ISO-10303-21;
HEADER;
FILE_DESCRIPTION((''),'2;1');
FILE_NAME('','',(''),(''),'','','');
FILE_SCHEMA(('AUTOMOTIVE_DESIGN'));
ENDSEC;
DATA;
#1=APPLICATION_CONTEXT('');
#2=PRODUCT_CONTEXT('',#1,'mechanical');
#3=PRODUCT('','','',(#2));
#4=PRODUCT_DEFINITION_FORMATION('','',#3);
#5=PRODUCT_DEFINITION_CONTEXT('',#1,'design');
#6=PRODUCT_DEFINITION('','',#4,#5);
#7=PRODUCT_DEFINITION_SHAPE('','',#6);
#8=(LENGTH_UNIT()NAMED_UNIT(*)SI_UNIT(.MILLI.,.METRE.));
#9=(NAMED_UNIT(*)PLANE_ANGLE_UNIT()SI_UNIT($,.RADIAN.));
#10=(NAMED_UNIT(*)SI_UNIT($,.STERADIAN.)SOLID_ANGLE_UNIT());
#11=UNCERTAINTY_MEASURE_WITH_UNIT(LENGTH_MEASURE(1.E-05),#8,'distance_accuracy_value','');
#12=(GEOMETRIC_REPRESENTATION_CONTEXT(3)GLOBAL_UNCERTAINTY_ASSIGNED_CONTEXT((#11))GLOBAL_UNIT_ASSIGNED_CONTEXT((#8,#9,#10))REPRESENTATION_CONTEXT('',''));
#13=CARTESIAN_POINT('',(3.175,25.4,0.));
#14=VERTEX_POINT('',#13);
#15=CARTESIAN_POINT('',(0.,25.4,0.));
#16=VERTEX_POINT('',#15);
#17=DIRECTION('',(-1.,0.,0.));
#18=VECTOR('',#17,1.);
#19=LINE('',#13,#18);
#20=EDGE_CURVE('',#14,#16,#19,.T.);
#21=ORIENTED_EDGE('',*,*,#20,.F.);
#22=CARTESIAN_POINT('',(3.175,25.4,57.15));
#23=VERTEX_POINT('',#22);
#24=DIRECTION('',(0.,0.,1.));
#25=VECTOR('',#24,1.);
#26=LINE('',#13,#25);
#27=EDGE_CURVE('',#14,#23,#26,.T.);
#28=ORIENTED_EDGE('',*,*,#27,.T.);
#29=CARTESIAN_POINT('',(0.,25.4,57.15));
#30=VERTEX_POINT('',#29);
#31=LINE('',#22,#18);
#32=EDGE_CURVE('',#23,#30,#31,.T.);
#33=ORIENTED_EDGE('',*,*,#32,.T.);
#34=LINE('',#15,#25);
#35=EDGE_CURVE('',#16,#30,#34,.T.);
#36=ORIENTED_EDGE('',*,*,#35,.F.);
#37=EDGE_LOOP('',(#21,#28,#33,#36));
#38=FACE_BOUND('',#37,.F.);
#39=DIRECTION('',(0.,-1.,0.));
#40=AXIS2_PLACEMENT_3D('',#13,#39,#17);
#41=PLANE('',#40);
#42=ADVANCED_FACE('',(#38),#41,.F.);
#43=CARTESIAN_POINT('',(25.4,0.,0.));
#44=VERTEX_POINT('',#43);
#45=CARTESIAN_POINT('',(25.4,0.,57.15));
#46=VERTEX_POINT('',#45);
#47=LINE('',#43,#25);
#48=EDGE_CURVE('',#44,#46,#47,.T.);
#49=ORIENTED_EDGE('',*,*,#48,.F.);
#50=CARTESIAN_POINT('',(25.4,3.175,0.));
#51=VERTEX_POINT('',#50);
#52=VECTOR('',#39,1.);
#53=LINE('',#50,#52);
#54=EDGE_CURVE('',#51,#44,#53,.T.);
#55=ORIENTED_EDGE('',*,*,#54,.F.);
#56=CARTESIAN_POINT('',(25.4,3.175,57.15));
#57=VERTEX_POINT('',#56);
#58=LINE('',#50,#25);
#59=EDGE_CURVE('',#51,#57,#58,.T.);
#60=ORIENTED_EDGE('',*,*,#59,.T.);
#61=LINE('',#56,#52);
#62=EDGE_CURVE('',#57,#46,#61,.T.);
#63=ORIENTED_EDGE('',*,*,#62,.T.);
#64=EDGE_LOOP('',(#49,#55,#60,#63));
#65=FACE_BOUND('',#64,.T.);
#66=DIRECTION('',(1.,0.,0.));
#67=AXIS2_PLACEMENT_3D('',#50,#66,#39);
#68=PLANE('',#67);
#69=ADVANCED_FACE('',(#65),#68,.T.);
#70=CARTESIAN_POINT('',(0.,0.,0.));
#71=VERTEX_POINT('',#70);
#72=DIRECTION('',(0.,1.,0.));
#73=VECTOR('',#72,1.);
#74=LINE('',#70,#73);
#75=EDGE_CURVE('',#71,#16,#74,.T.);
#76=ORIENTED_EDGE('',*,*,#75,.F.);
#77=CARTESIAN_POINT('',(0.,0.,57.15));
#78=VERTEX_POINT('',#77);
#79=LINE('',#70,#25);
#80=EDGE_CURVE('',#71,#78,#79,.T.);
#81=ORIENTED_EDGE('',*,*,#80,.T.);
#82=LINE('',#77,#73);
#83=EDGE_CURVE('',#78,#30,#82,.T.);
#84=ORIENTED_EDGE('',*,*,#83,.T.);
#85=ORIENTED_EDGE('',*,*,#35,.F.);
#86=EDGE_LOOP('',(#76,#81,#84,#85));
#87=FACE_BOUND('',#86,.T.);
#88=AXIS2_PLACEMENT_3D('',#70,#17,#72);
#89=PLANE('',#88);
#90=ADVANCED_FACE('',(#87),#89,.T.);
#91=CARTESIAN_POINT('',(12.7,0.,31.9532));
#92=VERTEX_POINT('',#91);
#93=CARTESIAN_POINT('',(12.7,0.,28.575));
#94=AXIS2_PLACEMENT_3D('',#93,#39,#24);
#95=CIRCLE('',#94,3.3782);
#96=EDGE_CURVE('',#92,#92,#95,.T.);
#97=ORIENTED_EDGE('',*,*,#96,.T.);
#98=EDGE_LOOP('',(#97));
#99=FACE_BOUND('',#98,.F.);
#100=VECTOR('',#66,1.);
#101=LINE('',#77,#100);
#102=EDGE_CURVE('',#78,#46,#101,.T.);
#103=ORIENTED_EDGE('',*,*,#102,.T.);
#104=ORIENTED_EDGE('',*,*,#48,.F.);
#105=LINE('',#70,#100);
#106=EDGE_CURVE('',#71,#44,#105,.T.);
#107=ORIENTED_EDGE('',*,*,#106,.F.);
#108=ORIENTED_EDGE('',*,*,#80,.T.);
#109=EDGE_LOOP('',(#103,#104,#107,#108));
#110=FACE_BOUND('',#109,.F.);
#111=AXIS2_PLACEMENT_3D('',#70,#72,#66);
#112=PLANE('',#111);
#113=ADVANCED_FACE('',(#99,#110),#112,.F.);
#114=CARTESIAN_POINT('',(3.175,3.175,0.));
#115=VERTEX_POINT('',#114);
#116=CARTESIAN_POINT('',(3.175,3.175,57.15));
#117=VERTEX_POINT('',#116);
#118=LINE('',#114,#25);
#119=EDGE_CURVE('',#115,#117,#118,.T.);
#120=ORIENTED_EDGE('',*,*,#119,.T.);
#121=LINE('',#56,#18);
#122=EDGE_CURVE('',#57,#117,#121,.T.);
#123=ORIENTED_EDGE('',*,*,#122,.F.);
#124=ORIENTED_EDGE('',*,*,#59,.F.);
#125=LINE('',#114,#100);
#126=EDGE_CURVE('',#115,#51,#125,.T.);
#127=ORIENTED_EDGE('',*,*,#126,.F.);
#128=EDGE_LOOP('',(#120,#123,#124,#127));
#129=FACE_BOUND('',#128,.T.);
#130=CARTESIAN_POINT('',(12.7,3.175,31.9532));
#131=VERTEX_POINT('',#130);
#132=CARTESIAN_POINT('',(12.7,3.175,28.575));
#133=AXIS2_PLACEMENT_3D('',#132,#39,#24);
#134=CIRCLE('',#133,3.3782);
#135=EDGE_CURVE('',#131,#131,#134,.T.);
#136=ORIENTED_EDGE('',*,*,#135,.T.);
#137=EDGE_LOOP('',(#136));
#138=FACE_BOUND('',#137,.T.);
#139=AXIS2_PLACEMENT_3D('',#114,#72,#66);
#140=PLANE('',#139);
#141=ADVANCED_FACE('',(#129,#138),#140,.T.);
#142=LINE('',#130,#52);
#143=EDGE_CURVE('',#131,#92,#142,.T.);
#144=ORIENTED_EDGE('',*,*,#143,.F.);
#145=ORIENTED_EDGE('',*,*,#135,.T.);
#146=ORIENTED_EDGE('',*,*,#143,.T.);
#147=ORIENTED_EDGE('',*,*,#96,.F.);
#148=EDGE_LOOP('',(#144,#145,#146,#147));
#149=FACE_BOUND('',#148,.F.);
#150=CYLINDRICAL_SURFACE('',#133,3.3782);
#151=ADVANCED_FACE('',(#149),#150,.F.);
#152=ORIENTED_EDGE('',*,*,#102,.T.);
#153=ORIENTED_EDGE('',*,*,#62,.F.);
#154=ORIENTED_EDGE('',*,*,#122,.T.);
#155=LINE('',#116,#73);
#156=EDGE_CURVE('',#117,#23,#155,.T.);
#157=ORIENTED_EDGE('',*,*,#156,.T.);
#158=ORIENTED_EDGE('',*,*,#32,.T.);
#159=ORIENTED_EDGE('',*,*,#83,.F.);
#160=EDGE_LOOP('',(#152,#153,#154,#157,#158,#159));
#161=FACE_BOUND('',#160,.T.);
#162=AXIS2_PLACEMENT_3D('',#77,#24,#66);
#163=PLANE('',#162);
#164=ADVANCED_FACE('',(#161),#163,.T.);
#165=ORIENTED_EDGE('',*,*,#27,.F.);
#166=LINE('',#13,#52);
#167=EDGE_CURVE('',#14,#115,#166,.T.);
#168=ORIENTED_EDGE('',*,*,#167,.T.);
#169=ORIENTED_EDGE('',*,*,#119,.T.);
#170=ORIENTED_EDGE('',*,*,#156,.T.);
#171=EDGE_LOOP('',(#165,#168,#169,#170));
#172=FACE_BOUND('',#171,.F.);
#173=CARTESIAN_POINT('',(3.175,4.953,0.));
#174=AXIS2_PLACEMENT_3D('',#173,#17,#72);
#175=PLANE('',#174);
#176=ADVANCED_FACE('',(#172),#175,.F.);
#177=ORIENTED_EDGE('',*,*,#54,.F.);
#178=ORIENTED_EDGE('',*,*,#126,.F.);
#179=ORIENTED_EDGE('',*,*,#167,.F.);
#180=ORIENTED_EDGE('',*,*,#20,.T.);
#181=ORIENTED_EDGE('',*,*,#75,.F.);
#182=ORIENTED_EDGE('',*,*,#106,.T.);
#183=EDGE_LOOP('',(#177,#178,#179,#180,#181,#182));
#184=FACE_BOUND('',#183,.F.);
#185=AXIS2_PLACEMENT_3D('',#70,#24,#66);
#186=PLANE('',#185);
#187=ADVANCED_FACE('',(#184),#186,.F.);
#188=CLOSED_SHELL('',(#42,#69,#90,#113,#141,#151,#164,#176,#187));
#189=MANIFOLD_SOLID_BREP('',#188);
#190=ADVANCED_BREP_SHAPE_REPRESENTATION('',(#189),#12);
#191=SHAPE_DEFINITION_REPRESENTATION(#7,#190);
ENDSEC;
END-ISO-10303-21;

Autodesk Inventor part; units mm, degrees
ref_plane "YZ Plane" through (0, 0, 0) normal (1, 0, 0) x (0, 1, 0)
ref_plane "XZ Plane" through (0, 0, 0) normal (0, 1, 0) x (-1, 0, 0)
ref_plane "XY Plane" through (0, 0, 0) normal (0, 0, 1) x (1, 0, 0)
sketch "Sketch1" plane through (0, 0, 0) normal (0, 0, 1) x (1, 0, 0)
  line L0 (0, 0) -> (25.4, 0)
  line L1 (0, 0) -> (0, 25.4)
  line L2 (3.175, 4.953) -> (3.175, 25.4)
  line L3 (3.175, 25.4) -> (0, 25.4)
  line L4 (4.953, 3.175) -> (25.4, 3.175)
  line L5 (25.4, 3.175) -> (25.4, 0)
  line L6 (3.175, 4.953) -> (3.175, 3.175)
  line L7 (3.175, 3.175) -> (4.953, 3.175)
  dimension "d6" = 25.4
  dimension "d7" = 25.4
extrude "Extrusion1" add sketch "Sketch1" along normal blind 57.15
sketch "Sketch2" plane through (3.175, 3.175, 0) normal (0, 1, 0) x (1, 0, 0)
  circle A0 centre (9.525, -28.575) radius 3.076
  line L0 (22.225, 0) -> (22.225, -57.15) projected
  line L1 (22.225, 0) -> (0, 0) projected
  line L2 (22.225, -57.15) -> (0, -57.15) projected
  point P0 (-3.175, 0)
  dimension "d8" = 12.7
  dimension "d9" = 28.575
  dimension "d10" = 28.575
hole "Hole1" at (12.7, 3.175, 28.575) direction (0, -1, 0) diameter 6.7564 depth 25.4 tip angle 118 clearance for "Flat Head Machine Screw (82)" size "1/4" standard "Ansi Unified Screw Threads"
properties part number "uchannel"
